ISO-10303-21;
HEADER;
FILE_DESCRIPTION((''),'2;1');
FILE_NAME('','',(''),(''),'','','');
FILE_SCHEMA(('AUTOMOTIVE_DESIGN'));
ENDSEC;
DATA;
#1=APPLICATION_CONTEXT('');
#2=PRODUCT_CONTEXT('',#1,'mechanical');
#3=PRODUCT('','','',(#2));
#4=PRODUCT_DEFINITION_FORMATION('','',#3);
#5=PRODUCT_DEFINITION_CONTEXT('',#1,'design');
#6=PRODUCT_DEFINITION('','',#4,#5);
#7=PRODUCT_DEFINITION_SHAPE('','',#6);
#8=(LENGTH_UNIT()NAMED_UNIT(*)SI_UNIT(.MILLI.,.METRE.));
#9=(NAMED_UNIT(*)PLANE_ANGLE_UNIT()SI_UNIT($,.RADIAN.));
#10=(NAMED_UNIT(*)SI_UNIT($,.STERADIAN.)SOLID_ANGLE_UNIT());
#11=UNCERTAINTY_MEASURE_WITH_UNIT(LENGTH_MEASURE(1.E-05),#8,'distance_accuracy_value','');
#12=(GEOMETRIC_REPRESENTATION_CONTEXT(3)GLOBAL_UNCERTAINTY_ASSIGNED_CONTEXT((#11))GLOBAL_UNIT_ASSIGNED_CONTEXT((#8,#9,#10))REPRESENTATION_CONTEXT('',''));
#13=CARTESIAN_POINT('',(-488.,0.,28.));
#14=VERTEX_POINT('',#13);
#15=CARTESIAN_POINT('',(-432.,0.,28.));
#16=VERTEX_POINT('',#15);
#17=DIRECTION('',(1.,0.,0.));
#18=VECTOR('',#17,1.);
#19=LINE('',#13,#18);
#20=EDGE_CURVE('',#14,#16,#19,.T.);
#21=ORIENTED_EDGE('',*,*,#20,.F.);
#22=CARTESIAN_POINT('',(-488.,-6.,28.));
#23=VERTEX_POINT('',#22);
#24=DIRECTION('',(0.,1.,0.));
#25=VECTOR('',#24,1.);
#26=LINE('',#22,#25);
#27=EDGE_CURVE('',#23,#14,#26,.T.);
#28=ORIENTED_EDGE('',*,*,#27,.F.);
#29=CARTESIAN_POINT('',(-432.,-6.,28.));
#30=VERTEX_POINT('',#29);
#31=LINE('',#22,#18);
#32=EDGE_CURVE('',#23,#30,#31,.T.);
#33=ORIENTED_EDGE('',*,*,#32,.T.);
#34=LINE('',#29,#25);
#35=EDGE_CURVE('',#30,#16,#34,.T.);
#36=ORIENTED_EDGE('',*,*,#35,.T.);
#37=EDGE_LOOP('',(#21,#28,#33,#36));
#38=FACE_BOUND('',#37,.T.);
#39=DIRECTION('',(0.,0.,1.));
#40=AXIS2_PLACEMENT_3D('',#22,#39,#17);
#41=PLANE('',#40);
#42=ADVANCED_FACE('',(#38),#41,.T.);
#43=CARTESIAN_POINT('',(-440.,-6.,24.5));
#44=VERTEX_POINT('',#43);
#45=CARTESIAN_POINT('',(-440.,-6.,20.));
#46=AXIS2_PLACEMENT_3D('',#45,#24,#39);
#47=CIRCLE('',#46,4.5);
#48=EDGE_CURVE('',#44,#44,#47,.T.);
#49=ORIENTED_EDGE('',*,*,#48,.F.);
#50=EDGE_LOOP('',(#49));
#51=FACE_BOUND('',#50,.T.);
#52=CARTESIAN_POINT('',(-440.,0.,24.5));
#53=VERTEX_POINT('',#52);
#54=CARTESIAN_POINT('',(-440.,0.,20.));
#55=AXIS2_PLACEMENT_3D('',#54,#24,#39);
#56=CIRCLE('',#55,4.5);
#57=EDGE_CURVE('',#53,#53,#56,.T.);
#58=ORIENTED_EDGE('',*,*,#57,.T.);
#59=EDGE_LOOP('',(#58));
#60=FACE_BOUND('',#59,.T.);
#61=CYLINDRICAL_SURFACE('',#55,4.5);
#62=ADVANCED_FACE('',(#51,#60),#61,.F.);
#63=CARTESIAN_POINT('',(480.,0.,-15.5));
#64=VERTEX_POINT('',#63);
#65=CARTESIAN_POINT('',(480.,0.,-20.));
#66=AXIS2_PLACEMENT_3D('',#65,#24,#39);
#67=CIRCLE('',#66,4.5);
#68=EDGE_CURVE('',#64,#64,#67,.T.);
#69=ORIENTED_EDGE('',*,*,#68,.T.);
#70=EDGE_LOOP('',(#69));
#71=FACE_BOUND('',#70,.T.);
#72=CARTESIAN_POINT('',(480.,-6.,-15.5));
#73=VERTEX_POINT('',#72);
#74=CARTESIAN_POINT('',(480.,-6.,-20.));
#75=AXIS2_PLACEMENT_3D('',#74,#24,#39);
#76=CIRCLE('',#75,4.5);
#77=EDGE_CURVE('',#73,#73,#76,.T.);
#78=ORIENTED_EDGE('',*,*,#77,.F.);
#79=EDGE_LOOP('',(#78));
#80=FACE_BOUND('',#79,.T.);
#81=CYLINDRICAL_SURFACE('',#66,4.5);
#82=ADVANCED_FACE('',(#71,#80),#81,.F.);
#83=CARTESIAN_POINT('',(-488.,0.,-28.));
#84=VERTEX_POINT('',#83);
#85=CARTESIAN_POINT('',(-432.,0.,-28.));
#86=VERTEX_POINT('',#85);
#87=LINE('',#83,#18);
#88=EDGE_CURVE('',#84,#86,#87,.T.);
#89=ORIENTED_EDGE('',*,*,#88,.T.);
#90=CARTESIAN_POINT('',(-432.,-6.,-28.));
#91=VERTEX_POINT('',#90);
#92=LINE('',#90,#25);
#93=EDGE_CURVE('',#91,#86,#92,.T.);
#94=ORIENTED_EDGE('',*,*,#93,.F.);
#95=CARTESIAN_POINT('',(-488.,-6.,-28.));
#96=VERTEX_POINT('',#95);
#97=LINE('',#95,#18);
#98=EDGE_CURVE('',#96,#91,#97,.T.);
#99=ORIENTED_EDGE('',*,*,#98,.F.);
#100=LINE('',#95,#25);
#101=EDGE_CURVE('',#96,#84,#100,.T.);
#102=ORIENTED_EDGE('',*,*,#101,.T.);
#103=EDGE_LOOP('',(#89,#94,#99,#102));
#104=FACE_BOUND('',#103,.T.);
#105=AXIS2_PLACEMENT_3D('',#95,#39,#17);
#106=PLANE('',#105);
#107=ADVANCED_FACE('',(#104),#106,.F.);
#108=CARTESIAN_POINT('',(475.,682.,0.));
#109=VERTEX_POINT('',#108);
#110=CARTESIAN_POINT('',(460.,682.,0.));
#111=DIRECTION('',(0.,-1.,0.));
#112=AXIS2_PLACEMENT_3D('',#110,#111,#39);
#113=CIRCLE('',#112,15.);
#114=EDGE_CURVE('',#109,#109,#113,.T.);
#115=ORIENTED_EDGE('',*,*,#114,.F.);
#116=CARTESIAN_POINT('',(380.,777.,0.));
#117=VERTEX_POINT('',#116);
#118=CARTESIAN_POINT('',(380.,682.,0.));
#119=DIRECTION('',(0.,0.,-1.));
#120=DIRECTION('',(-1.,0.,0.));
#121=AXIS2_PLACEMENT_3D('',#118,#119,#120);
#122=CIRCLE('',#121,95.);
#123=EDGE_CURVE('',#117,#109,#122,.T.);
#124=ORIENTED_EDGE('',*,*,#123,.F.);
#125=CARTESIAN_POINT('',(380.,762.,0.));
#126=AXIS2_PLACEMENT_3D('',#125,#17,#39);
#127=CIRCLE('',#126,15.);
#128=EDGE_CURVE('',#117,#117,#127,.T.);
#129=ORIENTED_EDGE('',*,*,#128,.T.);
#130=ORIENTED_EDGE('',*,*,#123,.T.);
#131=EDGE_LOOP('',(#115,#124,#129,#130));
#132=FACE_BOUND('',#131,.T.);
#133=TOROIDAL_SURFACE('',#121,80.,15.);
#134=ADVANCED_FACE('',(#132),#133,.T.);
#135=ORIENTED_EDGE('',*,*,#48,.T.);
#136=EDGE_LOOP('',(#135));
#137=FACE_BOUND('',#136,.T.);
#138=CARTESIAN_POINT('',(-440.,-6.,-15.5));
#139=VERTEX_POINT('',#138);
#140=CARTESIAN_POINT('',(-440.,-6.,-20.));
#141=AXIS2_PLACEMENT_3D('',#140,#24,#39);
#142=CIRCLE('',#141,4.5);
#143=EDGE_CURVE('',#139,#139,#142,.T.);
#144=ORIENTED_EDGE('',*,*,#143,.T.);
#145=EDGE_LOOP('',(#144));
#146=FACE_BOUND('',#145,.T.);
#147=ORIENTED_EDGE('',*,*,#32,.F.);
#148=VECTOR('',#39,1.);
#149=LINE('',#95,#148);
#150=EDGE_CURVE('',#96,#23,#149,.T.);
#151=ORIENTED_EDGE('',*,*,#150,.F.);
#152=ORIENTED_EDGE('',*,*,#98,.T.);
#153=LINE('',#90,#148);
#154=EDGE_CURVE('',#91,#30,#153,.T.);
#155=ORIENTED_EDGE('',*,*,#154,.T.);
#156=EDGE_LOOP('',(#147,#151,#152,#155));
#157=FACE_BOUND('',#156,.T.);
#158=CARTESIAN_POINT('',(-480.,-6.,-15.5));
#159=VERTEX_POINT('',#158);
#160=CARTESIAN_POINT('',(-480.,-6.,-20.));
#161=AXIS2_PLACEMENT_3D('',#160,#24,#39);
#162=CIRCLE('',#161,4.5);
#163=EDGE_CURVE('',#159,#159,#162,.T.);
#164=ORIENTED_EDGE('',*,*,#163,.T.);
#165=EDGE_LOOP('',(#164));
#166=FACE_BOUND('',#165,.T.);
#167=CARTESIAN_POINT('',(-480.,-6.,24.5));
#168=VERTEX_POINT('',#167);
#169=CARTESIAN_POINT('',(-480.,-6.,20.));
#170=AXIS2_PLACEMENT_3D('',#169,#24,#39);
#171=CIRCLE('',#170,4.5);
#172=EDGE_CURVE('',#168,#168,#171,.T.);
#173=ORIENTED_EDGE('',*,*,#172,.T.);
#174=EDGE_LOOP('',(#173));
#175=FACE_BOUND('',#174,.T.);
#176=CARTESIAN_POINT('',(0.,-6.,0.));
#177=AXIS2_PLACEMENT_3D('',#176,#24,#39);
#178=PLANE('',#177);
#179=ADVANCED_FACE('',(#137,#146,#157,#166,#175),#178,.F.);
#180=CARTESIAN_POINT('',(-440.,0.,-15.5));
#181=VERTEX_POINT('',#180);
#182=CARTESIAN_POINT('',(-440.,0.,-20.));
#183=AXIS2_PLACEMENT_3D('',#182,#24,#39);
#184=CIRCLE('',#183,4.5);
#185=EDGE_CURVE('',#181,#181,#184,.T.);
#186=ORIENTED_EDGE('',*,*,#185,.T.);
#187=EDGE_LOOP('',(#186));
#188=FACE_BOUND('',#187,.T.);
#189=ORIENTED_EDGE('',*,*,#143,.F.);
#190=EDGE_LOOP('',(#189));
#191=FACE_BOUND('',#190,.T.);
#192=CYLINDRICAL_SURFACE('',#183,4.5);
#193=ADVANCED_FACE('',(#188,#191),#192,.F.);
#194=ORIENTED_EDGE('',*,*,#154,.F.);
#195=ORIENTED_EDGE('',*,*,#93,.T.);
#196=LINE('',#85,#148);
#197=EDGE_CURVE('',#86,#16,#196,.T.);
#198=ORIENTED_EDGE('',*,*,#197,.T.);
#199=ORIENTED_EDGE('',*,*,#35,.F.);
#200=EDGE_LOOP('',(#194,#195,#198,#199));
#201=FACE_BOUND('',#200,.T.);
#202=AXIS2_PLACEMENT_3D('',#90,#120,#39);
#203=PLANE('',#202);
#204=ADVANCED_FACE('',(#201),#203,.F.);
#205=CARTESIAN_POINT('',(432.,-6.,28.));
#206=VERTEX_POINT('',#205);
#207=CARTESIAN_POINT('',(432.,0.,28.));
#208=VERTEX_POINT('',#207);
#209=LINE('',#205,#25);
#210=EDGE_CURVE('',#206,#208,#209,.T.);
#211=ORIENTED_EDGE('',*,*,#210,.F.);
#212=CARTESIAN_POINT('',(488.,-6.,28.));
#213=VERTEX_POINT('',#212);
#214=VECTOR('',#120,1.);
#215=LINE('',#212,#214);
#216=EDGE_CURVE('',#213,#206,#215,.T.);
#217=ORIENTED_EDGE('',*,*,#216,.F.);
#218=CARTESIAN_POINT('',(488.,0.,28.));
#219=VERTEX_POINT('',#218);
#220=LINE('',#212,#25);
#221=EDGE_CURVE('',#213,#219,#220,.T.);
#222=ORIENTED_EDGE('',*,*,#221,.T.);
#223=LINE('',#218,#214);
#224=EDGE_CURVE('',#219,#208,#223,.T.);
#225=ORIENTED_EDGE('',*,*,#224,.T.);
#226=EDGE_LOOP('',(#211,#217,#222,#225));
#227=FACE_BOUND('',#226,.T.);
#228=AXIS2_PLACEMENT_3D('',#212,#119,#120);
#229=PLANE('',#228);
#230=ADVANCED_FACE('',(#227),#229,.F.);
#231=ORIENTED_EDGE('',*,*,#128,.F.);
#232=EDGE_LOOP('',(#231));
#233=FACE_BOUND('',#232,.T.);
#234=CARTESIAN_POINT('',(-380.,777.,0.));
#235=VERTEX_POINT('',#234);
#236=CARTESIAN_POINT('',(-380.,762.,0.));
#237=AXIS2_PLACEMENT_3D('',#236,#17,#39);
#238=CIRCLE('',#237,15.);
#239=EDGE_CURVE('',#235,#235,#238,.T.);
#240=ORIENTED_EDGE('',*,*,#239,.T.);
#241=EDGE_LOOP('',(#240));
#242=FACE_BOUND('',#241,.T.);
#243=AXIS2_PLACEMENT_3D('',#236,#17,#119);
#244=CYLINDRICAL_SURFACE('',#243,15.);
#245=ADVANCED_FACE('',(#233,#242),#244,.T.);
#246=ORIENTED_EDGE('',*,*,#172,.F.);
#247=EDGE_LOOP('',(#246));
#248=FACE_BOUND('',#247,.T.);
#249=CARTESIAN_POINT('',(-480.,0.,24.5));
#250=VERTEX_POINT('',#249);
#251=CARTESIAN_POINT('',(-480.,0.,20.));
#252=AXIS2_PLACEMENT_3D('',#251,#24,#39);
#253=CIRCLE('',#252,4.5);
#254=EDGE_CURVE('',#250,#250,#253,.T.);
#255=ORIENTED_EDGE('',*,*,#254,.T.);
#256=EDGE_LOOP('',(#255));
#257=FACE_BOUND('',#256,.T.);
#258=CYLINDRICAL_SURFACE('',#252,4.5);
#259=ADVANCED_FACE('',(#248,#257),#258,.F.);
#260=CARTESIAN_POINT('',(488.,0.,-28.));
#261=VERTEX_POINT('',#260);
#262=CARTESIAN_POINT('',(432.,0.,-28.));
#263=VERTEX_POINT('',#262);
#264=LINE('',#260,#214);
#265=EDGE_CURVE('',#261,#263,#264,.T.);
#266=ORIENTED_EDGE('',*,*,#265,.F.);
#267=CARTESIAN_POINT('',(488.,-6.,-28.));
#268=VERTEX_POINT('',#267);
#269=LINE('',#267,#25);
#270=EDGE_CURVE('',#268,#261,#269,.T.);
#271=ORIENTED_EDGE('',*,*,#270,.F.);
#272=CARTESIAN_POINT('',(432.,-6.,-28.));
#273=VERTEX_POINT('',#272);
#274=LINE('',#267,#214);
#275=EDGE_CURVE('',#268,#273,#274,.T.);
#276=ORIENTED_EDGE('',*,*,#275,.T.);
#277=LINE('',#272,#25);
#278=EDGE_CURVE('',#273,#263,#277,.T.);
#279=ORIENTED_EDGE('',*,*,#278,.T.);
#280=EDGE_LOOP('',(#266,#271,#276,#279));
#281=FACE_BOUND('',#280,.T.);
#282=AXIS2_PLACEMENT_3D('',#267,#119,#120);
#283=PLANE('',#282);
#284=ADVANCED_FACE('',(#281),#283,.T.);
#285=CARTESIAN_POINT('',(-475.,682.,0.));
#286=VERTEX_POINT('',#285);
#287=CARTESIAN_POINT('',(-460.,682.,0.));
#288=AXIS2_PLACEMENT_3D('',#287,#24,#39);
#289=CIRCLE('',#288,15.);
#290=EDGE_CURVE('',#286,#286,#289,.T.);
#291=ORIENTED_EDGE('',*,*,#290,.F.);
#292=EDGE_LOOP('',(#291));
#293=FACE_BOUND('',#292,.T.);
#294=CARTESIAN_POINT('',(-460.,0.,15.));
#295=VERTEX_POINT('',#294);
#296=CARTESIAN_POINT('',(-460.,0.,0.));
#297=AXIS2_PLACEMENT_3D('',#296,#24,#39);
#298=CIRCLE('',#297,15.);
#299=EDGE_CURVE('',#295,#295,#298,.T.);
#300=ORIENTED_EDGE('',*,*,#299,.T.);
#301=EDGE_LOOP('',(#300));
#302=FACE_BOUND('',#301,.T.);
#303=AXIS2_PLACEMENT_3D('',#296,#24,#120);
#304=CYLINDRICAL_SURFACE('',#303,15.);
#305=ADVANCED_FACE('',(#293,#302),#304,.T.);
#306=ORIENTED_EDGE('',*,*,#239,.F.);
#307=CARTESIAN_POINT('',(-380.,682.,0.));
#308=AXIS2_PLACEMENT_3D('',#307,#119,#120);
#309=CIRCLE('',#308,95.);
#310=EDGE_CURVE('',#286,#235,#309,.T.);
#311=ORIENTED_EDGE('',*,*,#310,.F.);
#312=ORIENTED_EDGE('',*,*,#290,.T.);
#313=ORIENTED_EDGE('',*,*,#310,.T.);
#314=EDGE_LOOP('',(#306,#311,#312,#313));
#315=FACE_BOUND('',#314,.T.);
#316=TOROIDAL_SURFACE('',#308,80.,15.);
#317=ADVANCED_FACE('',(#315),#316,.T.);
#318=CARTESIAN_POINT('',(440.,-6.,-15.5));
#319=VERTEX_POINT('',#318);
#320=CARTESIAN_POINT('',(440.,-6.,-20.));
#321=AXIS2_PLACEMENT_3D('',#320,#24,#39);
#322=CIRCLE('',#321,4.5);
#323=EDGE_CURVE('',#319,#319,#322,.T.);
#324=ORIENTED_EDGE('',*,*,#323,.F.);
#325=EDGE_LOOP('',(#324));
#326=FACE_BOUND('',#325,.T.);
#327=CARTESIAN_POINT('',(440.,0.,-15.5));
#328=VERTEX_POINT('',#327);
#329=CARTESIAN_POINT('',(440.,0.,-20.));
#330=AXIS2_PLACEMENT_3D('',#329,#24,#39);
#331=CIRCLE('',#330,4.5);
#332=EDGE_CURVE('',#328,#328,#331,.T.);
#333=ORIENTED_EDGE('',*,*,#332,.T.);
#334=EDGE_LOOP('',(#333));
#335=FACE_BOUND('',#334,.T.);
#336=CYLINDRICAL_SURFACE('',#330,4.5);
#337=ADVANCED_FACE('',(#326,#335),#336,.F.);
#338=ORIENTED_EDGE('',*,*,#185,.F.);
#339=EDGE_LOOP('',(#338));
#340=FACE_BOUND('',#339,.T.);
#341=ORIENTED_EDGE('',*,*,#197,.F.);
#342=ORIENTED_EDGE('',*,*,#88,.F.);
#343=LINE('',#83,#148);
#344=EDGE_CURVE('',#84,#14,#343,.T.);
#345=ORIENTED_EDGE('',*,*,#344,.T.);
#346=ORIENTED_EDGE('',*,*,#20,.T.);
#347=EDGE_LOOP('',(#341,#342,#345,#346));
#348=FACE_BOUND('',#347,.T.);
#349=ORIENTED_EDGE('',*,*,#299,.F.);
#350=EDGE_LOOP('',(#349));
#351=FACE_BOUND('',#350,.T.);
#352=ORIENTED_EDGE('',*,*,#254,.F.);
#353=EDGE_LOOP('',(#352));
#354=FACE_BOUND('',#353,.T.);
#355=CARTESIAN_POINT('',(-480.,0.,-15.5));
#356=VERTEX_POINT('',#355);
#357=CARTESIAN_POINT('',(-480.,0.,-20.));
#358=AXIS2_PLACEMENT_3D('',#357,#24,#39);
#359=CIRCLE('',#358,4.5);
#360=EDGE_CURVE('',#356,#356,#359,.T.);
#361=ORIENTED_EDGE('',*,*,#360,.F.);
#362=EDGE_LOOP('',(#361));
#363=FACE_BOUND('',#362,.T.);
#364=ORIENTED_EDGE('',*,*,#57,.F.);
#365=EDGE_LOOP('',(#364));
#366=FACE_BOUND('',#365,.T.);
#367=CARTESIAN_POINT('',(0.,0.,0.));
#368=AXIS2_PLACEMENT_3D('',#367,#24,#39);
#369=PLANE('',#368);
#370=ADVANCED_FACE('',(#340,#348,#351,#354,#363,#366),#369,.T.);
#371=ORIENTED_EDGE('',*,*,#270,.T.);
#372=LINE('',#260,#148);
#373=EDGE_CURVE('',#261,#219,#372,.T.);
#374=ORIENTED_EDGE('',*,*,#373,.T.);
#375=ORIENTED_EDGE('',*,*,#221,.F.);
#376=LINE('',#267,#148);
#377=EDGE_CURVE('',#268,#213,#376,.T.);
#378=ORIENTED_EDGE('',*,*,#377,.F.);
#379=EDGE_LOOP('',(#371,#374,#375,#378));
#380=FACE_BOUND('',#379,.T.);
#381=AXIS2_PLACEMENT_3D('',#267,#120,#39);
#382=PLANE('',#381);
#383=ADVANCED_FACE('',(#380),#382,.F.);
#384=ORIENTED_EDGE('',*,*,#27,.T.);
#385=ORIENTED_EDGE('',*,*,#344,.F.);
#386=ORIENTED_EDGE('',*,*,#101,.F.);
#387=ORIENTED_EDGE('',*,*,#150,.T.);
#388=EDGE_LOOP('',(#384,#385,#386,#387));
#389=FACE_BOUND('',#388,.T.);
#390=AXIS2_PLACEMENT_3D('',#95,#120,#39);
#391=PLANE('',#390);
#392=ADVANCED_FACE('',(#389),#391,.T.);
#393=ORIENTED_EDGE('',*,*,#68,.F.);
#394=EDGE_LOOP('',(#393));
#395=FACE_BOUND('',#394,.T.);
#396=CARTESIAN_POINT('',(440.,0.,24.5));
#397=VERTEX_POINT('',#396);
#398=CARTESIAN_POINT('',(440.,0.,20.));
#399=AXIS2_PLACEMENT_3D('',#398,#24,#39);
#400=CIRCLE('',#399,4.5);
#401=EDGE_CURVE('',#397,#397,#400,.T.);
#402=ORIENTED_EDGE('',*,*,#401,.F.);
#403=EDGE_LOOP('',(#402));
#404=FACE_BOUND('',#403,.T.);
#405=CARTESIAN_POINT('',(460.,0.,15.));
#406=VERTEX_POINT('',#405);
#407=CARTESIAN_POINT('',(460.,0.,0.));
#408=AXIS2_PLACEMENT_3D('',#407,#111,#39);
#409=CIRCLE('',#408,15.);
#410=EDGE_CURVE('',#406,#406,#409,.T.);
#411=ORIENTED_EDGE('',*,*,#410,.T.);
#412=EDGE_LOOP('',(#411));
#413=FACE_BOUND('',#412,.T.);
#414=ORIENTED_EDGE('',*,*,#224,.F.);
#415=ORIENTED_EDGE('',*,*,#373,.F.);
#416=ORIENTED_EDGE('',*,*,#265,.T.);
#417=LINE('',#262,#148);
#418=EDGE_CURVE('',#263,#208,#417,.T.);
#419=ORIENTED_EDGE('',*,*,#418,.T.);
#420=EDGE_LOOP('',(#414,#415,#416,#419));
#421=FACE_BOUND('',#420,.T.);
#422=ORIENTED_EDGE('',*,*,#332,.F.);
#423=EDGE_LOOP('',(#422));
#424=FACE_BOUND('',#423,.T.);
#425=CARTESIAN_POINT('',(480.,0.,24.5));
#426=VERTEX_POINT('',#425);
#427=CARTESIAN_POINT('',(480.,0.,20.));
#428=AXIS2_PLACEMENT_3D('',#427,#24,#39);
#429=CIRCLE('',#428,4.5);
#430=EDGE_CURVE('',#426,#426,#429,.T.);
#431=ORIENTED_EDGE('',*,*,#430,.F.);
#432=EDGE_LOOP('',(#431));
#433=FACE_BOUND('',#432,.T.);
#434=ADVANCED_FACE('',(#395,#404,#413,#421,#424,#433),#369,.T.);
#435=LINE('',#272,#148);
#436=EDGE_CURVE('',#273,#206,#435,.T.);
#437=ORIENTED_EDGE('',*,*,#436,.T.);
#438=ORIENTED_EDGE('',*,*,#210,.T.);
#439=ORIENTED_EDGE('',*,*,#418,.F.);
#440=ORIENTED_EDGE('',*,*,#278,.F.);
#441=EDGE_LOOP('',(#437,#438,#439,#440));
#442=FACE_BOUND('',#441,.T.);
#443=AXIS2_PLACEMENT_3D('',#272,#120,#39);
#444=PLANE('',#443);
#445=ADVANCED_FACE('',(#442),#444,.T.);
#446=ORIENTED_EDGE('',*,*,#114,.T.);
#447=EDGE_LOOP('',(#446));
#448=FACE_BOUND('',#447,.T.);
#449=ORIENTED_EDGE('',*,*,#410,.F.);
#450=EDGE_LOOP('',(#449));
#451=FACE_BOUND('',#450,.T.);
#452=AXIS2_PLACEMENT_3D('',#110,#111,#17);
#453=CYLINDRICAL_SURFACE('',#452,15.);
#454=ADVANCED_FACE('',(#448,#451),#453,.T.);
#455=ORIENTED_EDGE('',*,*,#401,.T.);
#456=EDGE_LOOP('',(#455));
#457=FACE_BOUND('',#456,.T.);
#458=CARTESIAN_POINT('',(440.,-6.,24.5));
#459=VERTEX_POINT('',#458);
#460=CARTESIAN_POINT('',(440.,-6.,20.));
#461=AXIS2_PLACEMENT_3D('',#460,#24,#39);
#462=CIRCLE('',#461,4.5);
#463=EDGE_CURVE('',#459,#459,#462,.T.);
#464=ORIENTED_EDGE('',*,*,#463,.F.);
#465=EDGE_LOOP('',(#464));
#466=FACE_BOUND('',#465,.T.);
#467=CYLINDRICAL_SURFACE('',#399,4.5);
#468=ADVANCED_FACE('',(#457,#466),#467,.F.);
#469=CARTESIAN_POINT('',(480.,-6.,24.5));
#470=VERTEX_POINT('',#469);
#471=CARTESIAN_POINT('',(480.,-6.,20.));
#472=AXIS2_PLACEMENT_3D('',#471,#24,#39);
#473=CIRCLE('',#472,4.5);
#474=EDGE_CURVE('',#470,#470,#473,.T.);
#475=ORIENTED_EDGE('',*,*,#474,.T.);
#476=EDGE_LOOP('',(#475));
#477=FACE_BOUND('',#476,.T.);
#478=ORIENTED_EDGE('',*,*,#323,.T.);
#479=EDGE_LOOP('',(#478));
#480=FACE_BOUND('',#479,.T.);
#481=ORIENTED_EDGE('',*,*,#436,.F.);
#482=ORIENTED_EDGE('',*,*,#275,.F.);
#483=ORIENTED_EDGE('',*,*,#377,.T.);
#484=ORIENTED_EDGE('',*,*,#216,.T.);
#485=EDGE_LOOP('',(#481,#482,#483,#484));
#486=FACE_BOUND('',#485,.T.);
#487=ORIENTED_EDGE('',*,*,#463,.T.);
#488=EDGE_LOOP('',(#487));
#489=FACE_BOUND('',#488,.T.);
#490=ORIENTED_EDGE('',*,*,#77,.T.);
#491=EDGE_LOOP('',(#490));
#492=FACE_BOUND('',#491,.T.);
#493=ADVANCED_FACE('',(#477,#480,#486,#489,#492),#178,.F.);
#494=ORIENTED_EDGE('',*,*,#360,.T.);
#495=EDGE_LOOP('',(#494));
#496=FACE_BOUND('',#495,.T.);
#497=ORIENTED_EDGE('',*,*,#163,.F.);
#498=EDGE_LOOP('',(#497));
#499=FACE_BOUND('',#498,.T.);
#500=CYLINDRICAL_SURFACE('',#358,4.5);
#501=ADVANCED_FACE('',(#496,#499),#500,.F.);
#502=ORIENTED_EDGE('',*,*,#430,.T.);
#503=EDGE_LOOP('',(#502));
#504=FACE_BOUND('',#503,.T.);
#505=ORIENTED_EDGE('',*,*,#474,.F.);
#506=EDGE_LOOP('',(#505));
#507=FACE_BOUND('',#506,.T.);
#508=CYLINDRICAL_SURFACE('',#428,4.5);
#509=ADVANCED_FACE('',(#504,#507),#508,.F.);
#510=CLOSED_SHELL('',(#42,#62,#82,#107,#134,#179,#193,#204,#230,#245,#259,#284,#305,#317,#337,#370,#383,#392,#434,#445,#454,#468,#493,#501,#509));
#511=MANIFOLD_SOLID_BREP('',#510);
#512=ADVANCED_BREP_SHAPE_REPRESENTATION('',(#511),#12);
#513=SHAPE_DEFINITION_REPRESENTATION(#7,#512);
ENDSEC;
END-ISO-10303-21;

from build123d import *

# Parameters (mm, degrees)
SKETCH2_R                     = 15
SKETCH3_W                     = 56
SKETCH3_H                     = 56
BOSS_EXTRUDE1_DEPTH           = 6
M8_CLEARANCE_HOLE1_AT_2_COUNT = 2
M8_CLEARANCE_HOLE1_AT_2_PITCH = 56.568542495
M8_CLEARANCE_HOLE1_AT_3_COUNT = 2
M8_CLEARANCE_HOLE1_AT_3_PITCH = 40
M8_CLEARANCE_HOLE1_AT_4_COUNT = 2
M8_CLEARANCE_HOLE1_AT_4_PITCH = 40


with BuildPart() as part:
    # Sweep1: sweep along a path in Sketch1
    with BuildLine(Plane.XY) as sweep1_path:
        Line((-460, 0), (-460, 682))
        ThreePointArc((-460, 682), (-436.568542495, 738.568542495), (-380, 762))
        Line((-380, 762), (380, 762))
        ThreePointArc((380, 762), (436.568542495, 738.568542495), (460, 682))
        Line((460, 682), (460, 0))
    # Sketch2 → Sweep1 (sweep)
    with BuildSketch(Plane(origin=(0, 0, 0), x_dir=(1, 0, 0), z_dir=(0, 1, 0))):
        with Locations((-460, 0)):
            Circle(SKETCH2_R)
    sweep(path=sweep1_path.line)

    # Sketch3 → Boss-Extrude1 (add)
    with BuildSketch(Plane.XZ):
        with Locations((-460, 0)):
            Rectangle(SKETCH3_W, SKETCH3_H)
    boss_extrude1 = extrude(amount=BOSS_EXTRUDE1_DEPTH)

    # Sketch7 → M8 Clearance Hole1 (revolve, cut)
    with BuildSketch(Plane(origin=(-440, 0, 20), x_dir=(0, 0, 1), z_dir=(1, 0, 0))):
        Polygon((0, 0), (0, 25.703872786), (4.5, 23), (4.5, 0), align=None)
    m8_clearance_hole1 = revolve(axis=Axis((-440, 6.35, 20), (0, -1, 0)), mode=Mode.SUBTRACT)

    # M8 Clearance Hole1 at 2: M8 Clearance Hole1 ×2
    with Locations(*[Vector(-0.7071067811865477, 0, -0.7071067811865474) * (i * M8_CLEARANCE_HOLE1_AT_2_PITCH) for i in range(1, M8_CLEARANCE_HOLE1_AT_2_COUNT)]):
        add(m8_clearance_hole1, mode=Mode.SUBTRACT)

    # M8 Clearance Hole1 at 3: M8 Clearance Hole1 ×2
    with Locations(*[(-i * M8_CLEARANCE_HOLE1_AT_3_PITCH, 0, 0) for i in range(1, M8_CLEARANCE_HOLE1_AT_3_COUNT)]):
        add(m8_clearance_hole1, mode=Mode.SUBTRACT)

    # M8 Clearance Hole1 at 4: M8 Clearance Hole1 ×2
    with Locations(*[(0, 0, -i * M8_CLEARANCE_HOLE1_AT_4_PITCH) for i in range(1, M8_CLEARANCE_HOLE1_AT_4_COUNT)]):
        add(m8_clearance_hole1, mode=Mode.SUBTRACT)

    # Mirror1: Boss-Extrude1, M8 Clearance Hole1 across plane
    add(boss_extrude1.mirror(Plane(origin=(0, 0, 0), x_dir=(0, 0, 1), z_dir=(1, 0, 0))))
    add(m8_clearance_hole1.mirror(Plane(origin=(0, 0, 0), x_dir=(0, 0, 1), z_dir=(1, 0, 0))), mode=Mode.SUBTRACT)

    # Mirror1 copy 1 sketch → Mirror1 copy 1 (revolve, cut)
    with BuildSketch(Plane(origin=(480, 0, -20), x_dir=(0, 0, 1), z_dir=(-1, 0, 0))):
        Polygon((0, 0), (0, -25.703872786), (4.5, -23), (4.5, 0), align=None)
    revolve(axis=Axis((480, 6.35, -20), (0, 1, 0)), mode=Mode.SUBTRACT)

    # Mirror1 copy 2 sketch → Mirror1 copy 2 (revolve, cut)
    with BuildSketch(Plane(origin=(480, 0, 20), x_dir=(0, 0, 1), z_dir=(-1, 0, 0))):
        Polygon((0, 0), (0, -25.703872786), (4.5, -23), (4.5, 0), align=None)
    revolve(axis=Axis((480, 6.35, 20), (0, 1, 0)), mode=Mode.SUBTRACT)

    # Mirror1 copy 3 sketch → Mirror1 copy 3 (revolve, cut)
    with BuildSketch(Plane(origin=(440, 0, -20), x_dir=(0, 0, 1), z_dir=(-1, 0, 0))):
        Polygon((0, 0), (0, -25.703872786), (4.5, -23), (4.5, 0), align=None)
    revolve(axis=Axis((440, 6.35, -20), (0, 1, 0)), mode=Mode.SUBTRACT)


solid = part.part
